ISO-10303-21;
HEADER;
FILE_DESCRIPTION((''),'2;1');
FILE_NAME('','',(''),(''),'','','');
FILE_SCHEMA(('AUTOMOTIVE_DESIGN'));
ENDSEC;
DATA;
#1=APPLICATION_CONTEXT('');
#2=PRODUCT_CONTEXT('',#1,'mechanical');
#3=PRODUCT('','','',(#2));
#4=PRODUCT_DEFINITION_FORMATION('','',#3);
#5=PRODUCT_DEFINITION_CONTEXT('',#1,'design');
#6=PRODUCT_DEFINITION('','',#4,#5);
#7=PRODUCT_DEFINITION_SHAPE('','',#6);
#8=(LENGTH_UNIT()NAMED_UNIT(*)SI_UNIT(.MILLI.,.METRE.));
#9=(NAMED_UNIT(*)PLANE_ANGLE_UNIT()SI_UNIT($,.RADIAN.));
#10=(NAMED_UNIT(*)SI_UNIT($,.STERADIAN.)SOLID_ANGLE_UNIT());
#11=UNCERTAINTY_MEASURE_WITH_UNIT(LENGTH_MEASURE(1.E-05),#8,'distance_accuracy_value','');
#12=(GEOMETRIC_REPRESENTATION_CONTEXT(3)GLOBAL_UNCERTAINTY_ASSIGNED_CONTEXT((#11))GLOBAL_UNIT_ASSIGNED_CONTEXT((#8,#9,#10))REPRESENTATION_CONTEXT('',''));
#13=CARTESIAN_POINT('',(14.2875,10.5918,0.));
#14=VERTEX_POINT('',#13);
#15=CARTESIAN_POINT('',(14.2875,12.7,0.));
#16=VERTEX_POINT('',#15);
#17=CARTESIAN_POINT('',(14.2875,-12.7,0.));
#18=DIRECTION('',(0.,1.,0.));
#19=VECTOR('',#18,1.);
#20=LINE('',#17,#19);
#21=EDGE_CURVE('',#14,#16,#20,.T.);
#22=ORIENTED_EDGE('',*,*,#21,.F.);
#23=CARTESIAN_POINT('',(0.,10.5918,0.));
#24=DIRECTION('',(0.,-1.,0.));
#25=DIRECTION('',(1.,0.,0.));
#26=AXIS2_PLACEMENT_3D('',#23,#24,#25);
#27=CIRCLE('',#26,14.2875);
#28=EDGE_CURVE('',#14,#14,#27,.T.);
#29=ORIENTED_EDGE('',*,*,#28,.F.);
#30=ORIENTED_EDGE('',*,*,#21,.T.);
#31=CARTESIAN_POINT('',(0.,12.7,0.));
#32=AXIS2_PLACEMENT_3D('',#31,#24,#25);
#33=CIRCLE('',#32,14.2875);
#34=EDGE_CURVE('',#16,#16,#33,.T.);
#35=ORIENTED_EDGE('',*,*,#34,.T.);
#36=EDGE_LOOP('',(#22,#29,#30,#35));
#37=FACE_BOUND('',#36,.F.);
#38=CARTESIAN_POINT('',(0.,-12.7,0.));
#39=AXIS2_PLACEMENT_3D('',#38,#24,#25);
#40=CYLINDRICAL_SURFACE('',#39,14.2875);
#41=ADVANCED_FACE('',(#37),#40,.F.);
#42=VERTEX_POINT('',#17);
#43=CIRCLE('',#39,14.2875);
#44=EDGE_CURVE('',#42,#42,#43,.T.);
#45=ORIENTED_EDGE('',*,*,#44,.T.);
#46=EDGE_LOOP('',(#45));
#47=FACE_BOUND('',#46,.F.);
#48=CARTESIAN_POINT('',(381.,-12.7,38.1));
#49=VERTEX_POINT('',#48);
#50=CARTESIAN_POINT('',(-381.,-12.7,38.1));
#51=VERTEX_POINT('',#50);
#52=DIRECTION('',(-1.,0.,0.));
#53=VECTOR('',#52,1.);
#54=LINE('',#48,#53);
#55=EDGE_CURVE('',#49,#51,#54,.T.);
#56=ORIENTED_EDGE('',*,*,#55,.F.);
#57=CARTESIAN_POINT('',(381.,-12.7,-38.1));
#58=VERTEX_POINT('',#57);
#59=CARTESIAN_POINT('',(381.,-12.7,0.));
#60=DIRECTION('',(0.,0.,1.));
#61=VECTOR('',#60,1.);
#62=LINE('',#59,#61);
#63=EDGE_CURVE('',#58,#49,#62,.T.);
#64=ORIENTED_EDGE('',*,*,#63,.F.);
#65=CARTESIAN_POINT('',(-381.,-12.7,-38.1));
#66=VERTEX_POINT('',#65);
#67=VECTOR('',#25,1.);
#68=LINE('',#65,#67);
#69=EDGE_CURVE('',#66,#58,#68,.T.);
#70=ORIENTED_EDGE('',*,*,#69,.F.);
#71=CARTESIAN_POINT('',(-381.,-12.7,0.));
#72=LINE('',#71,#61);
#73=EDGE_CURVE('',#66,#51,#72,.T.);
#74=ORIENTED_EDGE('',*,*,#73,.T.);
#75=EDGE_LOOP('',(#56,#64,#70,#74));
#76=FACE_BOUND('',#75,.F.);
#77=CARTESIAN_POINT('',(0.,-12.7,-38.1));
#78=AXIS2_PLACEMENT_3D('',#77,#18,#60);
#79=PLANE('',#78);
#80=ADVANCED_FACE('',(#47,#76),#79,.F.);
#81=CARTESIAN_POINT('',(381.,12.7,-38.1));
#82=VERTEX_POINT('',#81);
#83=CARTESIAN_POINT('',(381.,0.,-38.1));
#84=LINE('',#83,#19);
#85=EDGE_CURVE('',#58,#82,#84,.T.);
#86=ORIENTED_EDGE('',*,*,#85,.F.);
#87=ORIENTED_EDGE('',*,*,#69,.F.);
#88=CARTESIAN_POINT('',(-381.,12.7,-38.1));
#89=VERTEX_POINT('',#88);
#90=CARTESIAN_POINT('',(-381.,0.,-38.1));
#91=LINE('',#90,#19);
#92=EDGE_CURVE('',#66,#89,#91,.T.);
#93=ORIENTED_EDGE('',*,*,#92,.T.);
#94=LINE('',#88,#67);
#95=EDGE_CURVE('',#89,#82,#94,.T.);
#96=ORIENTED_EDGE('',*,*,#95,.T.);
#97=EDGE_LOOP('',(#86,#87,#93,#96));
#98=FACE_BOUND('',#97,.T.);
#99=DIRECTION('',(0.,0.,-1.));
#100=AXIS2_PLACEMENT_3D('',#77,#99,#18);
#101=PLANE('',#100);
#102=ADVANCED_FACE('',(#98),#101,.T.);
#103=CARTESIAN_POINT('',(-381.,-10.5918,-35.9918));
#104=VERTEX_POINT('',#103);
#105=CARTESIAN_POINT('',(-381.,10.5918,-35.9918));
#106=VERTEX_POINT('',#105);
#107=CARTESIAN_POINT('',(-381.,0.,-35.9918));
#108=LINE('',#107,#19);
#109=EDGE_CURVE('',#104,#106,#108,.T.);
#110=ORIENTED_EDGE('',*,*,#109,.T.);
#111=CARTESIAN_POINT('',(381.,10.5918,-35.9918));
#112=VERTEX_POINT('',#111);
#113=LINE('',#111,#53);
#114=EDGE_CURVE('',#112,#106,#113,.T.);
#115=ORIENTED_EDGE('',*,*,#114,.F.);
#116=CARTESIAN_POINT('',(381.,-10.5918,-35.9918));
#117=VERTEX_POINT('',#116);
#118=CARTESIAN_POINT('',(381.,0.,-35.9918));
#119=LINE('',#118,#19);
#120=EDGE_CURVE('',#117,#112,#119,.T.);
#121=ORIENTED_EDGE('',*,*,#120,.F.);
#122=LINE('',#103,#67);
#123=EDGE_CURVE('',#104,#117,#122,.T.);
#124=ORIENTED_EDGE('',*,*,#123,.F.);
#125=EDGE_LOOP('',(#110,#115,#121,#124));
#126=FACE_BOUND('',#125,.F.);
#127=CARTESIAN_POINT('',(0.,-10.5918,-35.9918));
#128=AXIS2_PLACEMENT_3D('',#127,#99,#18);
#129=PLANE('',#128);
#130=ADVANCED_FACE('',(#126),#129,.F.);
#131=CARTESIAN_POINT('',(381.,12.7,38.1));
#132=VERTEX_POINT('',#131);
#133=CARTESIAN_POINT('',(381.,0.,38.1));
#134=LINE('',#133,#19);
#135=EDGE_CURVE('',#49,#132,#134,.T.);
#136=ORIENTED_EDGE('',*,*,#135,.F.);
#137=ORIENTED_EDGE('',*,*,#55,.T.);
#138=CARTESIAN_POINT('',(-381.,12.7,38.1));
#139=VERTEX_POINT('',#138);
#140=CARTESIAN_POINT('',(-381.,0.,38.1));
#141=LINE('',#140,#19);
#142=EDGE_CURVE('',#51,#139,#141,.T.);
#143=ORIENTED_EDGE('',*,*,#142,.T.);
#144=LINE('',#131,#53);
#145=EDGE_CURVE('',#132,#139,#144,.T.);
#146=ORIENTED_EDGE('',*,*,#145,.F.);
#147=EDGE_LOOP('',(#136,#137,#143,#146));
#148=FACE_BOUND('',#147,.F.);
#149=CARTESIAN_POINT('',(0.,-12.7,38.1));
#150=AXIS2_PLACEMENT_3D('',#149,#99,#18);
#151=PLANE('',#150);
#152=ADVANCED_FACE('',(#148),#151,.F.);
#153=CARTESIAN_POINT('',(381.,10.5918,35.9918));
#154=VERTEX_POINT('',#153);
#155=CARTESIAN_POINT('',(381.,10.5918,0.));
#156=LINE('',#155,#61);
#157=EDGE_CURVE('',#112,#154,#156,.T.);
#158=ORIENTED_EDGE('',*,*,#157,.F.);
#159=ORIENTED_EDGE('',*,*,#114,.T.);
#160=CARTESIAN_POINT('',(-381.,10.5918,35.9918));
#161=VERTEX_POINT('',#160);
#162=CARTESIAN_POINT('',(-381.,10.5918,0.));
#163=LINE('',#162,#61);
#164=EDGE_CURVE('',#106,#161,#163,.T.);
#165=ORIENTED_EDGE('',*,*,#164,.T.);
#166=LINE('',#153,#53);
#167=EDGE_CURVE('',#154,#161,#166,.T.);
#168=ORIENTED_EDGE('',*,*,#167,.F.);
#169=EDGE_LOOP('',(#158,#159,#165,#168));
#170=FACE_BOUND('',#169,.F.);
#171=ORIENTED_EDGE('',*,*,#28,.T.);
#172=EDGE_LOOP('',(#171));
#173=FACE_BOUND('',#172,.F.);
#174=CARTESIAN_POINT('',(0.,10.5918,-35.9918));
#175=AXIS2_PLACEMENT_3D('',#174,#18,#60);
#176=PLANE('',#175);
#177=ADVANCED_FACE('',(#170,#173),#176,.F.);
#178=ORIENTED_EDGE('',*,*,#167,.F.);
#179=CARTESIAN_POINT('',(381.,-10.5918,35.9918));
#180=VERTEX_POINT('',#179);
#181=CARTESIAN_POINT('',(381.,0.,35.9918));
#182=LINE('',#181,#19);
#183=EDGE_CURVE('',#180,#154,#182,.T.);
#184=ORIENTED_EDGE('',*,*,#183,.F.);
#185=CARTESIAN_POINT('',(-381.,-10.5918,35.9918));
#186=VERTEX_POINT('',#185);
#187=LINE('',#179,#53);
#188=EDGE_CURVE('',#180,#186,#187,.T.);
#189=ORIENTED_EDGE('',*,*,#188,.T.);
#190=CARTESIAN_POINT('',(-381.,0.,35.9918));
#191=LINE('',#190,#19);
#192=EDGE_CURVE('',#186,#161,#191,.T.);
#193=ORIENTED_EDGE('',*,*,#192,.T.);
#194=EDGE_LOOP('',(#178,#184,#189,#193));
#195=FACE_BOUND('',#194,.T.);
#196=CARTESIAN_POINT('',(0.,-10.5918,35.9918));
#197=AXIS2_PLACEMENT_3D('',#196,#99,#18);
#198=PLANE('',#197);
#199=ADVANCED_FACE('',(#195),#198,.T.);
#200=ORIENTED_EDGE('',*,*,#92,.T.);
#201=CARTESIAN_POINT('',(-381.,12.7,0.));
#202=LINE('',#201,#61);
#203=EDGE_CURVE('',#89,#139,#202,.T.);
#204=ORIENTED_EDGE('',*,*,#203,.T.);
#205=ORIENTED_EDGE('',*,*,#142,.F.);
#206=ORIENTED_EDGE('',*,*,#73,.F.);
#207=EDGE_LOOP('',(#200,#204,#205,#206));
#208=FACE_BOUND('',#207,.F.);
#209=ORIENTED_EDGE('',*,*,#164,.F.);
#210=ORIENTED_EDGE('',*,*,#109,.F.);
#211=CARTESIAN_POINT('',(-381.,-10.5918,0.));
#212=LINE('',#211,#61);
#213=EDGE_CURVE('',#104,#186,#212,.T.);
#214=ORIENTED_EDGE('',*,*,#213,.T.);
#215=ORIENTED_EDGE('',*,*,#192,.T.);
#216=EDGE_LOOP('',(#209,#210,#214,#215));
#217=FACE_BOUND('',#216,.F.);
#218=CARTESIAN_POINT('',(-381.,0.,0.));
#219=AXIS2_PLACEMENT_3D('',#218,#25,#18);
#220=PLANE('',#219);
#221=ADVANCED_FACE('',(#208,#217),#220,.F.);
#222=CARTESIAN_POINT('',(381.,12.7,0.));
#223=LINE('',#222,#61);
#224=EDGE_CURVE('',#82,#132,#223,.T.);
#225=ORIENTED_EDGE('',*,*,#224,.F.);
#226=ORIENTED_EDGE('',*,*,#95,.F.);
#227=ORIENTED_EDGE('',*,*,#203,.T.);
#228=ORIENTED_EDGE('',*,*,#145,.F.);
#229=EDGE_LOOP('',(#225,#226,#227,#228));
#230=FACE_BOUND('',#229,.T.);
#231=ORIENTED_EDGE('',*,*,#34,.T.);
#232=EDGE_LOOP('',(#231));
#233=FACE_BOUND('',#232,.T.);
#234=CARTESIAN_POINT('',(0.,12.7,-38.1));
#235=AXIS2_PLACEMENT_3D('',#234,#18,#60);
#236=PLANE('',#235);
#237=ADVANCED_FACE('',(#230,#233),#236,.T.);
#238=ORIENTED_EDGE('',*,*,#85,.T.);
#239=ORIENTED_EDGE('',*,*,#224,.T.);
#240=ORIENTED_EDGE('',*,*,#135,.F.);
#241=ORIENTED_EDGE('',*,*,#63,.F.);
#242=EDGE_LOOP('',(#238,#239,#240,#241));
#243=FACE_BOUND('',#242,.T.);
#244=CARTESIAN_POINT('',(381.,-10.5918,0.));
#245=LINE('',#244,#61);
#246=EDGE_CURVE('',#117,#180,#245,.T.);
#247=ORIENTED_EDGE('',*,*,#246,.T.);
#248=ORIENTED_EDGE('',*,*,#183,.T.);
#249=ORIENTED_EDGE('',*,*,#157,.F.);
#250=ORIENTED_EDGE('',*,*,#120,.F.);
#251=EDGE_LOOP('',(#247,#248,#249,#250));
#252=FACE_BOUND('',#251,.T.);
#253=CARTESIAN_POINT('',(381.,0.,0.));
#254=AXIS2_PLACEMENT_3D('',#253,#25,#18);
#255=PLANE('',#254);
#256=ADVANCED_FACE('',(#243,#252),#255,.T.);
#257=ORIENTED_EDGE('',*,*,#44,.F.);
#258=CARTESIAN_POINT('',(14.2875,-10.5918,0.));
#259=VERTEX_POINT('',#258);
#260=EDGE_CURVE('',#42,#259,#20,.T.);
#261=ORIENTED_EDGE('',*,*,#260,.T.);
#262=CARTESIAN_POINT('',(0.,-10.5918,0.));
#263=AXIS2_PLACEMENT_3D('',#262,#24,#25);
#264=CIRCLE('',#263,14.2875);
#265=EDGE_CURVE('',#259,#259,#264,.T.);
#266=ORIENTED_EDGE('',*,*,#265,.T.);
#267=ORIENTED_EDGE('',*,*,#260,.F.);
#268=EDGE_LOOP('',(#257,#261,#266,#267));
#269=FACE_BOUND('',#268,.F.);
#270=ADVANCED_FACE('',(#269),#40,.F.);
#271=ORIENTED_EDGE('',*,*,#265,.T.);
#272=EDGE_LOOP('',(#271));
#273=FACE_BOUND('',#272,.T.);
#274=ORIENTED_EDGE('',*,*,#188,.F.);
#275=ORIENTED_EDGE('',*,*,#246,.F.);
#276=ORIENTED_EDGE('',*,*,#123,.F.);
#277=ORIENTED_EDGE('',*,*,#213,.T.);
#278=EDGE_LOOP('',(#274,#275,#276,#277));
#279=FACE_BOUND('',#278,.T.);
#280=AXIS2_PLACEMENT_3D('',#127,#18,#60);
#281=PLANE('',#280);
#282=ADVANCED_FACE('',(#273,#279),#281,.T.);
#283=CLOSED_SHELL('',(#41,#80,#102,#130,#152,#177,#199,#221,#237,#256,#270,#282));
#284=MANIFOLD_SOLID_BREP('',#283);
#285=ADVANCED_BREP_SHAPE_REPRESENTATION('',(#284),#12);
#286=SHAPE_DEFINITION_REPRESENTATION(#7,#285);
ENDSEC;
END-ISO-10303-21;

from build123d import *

# Parameters (mm, degrees)
F0_W     = 25.4
F0_H     = 76.2
F0_W_2   = 21.1836
F0_H_2   = 71.9836
F1_DEPTH = 381
F2_R     = 14.2875
F3_DEPTH = 25.401


with BuildPart() as f1:
    # F0 (on Right) → F1 (new body, symmetric)
    with BuildSketch(Plane.YZ):
        Rectangle(F0_W, F0_H)
        Rectangle(F0_W_2, F0_H_2, mode=Mode.SUBTRACT)
    extrude(amount=F1_DEPTH, both=True)

    # F2 (on face) → F3 (cut, through all)
    with BuildSketch(Plane.XZ.offset(12.7)):
        Circle(F2_R)
    extrude(amount=-F3_DEPTH, mode=Mode.SUBTRACT)


solid = f1.part
